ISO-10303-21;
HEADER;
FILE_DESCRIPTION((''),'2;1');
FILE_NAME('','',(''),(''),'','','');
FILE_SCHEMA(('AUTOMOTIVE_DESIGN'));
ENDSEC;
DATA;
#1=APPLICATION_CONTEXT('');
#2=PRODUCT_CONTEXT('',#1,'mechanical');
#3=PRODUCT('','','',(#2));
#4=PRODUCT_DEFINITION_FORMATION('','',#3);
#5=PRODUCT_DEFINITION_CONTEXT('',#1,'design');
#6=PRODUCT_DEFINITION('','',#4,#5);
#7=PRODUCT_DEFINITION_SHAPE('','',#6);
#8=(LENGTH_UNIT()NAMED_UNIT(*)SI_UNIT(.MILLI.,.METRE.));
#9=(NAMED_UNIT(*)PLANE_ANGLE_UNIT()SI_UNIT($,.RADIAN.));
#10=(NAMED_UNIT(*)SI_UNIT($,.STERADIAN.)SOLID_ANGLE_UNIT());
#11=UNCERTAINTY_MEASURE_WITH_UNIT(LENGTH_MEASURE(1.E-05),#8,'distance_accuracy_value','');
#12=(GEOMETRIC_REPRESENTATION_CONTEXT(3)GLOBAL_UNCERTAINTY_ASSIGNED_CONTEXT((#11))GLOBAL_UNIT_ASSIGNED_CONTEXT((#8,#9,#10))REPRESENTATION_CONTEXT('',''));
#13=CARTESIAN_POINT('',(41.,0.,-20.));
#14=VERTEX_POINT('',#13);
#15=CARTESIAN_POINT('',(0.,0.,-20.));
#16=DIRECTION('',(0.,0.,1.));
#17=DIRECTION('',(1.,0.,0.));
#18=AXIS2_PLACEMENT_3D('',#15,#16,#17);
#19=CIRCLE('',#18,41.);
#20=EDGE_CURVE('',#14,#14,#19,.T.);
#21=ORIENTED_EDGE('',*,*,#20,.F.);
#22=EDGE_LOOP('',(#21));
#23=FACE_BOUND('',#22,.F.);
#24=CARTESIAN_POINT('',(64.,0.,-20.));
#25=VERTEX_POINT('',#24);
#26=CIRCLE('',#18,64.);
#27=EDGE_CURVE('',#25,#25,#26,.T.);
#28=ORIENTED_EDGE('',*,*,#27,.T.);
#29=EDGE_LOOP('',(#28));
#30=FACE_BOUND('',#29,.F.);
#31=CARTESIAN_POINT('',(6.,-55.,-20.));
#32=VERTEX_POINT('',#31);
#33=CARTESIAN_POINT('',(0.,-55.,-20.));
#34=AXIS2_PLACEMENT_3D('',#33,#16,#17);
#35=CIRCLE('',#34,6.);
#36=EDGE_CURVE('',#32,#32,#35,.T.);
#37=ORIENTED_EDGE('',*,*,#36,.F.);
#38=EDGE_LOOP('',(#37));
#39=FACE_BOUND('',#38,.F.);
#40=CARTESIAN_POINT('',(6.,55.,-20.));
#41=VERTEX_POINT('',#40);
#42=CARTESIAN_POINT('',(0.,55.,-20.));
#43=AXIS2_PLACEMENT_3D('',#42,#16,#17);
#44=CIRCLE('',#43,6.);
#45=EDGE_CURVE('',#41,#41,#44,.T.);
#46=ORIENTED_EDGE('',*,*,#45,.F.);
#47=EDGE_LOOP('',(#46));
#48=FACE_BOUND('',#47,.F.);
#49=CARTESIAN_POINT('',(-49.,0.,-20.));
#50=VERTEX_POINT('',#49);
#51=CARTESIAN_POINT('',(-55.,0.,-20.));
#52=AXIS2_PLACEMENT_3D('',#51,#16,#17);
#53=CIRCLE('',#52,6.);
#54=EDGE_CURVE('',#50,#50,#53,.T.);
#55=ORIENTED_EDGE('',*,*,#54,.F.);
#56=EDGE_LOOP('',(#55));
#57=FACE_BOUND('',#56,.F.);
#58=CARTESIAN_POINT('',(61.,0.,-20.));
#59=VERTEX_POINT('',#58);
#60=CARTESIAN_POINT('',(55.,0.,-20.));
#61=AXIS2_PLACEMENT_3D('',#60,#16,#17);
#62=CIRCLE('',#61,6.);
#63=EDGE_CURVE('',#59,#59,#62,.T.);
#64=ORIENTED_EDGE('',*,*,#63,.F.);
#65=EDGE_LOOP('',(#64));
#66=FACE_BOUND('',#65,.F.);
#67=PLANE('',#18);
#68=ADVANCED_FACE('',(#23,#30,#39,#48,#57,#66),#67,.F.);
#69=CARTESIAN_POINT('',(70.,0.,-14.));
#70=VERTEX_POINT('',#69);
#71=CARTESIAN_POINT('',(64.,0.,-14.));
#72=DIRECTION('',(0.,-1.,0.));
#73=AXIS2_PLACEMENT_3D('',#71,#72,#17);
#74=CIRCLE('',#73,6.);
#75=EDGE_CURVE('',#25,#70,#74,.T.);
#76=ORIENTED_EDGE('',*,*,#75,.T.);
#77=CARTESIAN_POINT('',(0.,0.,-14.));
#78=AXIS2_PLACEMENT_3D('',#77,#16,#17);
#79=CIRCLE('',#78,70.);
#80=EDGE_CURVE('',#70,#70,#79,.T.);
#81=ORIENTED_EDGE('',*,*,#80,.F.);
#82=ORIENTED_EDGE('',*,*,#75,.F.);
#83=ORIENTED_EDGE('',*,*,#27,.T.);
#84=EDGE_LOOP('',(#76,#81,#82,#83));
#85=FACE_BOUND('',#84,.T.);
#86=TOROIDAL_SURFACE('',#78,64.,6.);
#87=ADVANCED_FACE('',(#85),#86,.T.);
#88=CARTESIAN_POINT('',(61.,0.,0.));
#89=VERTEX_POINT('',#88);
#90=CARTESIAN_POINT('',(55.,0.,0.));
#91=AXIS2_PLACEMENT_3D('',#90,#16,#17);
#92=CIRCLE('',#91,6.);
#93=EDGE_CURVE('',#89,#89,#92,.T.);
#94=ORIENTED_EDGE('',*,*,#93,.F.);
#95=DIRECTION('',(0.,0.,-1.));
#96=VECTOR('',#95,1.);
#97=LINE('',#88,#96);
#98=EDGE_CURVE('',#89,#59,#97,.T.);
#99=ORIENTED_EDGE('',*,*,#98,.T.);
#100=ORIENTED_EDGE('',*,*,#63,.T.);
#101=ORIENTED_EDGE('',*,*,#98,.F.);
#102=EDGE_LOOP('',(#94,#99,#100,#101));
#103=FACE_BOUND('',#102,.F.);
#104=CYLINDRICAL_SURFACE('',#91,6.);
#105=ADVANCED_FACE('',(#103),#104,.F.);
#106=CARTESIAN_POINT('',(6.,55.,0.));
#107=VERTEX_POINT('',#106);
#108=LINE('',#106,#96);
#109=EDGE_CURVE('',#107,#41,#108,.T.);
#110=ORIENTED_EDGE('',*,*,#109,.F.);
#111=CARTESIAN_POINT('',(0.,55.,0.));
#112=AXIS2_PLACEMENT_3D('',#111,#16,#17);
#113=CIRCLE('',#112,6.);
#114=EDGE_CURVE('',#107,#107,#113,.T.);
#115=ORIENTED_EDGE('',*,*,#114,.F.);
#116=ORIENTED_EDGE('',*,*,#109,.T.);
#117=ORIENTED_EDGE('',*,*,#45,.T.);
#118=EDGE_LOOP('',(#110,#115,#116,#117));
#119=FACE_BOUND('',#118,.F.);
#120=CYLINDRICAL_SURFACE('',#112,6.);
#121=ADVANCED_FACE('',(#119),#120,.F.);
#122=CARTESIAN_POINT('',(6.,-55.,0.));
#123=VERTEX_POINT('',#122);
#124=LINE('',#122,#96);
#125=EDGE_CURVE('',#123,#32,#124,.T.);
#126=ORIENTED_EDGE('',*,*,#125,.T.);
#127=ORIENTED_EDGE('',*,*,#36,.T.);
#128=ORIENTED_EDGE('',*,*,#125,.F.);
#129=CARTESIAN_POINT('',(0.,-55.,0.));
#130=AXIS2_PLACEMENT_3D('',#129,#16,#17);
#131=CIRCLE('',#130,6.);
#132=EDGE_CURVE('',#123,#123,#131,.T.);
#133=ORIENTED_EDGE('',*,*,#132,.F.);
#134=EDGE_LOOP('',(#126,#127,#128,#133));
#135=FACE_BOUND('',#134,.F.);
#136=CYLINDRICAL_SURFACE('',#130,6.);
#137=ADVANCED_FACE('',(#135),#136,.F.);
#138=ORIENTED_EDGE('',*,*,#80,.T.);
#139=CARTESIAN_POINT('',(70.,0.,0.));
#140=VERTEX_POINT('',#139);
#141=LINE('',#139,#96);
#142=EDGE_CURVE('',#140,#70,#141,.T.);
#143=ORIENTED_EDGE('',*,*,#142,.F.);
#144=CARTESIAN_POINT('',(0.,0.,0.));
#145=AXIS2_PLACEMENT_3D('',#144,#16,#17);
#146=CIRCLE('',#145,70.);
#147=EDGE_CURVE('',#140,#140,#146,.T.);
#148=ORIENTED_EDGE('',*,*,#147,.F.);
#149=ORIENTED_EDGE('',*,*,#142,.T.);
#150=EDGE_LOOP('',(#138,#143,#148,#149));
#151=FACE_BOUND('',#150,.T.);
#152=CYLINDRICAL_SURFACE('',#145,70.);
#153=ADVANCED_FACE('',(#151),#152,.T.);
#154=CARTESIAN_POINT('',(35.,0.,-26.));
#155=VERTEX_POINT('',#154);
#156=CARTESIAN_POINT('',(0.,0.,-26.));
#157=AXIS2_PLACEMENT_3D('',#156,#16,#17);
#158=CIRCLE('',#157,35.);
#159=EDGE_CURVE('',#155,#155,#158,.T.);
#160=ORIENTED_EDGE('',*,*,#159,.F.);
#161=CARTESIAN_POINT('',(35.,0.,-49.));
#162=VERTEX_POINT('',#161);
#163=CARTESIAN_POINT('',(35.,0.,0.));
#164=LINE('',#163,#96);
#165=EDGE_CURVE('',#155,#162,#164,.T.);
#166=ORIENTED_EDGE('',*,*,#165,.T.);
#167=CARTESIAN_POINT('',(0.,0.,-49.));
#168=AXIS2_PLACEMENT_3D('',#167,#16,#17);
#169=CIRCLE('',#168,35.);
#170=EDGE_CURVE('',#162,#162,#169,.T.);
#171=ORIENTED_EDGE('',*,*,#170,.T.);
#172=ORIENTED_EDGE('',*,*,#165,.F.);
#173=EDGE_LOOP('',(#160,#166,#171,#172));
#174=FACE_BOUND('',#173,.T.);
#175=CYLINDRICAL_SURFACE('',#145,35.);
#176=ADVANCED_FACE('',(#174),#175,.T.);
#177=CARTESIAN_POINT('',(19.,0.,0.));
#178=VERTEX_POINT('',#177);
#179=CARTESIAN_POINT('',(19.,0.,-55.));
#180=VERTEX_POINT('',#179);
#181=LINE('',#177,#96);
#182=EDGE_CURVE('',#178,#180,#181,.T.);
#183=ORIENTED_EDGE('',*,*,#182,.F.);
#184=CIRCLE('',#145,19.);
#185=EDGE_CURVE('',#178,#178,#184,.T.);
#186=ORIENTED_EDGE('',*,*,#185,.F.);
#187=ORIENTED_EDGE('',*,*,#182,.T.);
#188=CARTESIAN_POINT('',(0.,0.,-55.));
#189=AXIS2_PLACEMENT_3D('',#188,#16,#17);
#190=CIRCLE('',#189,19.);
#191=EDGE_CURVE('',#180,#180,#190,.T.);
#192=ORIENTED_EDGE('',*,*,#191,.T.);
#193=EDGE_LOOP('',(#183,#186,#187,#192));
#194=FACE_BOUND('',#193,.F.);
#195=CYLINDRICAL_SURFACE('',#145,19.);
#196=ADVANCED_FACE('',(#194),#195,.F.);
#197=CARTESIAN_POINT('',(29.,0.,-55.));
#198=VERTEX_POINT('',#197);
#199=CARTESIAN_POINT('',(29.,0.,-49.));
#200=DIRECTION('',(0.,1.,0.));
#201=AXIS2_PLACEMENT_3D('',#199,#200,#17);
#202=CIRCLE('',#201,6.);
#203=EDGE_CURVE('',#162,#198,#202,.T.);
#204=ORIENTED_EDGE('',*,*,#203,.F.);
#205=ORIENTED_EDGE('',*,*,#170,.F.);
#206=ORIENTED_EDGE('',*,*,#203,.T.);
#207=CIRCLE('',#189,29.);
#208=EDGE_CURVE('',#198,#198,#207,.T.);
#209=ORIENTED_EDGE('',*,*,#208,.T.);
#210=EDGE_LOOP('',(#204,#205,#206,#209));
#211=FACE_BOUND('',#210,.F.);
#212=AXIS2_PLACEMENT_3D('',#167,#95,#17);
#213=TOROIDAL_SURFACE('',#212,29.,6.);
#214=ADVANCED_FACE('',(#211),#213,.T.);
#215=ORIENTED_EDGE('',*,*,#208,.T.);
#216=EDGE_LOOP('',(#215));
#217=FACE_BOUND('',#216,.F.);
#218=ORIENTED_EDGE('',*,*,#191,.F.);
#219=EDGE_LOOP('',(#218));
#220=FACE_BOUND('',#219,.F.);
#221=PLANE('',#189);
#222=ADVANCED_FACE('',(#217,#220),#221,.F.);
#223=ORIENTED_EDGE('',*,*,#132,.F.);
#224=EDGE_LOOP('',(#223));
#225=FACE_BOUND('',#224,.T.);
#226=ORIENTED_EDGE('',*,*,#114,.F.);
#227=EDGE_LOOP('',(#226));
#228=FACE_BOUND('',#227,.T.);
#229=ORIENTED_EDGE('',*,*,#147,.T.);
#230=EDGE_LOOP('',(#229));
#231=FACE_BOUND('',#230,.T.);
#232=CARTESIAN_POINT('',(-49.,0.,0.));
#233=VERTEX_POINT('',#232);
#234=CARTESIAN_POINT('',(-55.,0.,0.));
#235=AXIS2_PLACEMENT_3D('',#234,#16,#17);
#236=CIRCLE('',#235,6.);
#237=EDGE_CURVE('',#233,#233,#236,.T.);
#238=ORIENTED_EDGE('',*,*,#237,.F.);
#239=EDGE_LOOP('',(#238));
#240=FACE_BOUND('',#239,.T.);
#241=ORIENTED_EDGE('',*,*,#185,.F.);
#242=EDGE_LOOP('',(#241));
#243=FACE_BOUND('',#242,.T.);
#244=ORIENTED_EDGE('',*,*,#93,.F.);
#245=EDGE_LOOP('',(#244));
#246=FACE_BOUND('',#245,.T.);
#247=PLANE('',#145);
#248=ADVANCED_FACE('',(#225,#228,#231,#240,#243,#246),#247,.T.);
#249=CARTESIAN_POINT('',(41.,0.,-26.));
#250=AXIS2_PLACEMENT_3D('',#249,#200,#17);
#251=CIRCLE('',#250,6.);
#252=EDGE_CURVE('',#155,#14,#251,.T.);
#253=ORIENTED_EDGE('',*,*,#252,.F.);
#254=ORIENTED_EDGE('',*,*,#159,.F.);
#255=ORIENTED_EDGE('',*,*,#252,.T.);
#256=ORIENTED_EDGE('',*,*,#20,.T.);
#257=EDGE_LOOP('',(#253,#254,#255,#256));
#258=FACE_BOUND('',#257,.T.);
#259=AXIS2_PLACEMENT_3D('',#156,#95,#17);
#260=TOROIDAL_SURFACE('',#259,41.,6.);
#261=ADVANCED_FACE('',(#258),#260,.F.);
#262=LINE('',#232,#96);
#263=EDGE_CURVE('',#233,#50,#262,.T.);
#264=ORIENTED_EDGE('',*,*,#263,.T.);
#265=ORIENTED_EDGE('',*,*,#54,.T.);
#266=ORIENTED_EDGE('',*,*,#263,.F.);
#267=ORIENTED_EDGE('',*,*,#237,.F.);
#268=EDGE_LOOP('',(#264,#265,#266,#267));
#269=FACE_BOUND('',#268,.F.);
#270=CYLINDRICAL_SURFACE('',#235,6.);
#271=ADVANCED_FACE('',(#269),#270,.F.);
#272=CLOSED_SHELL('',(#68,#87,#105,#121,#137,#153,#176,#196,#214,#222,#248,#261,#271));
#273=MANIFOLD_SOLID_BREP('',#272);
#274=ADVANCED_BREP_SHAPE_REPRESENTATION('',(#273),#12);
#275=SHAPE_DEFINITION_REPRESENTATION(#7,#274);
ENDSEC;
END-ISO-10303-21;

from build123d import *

# Parameters (mm, degrees)
F0_R     = 70
F0_R_2   = 6
F0_R_3   = 35
F1_DEPTH = 20
F0_R_4   = 19
F2_DEPTH = 55
F3_R     = 6


with BuildPart() as f1:
    # F0 (on Top) → F1 (new body)
    with BuildSketch(Plane.XY):
        Circle(F0_R)
        with Locations((0, -55)):
            Circle(F0_R_2, mode=Mode.SUBTRACT)
        with Locations((-55, 0)):
            Circle(F0_R_2, mode=Mode.SUBTRACT)
        Circle(F0_R_3, mode=Mode.SUBTRACT)
        with Locations((55, 0)):
            Circle(F0_R_2, mode=Mode.SUBTRACT)
        with Locations((0, 55)):
            Circle(F0_R_2, mode=Mode.SUBTRACT)
    extrude(amount=-F1_DEPTH)

    # F0 (on Top) → F2 (join)
    with BuildSketch(Plane.XY):
        Circle(F0_R_3)
        Circle(F0_R_4, mode=Mode.SUBTRACT)
    extrude(amount=-F2_DEPTH)

    # F3
    f3_edges = [f1.edges().sort_by_distance(p)[0] for p in [
        (-70, 0, -20),
        (-35, 0, -55),
        (-35, 0, -20),
    ]]
    fillet(f3_edges, radius=F3_R)


solid = f1.part
